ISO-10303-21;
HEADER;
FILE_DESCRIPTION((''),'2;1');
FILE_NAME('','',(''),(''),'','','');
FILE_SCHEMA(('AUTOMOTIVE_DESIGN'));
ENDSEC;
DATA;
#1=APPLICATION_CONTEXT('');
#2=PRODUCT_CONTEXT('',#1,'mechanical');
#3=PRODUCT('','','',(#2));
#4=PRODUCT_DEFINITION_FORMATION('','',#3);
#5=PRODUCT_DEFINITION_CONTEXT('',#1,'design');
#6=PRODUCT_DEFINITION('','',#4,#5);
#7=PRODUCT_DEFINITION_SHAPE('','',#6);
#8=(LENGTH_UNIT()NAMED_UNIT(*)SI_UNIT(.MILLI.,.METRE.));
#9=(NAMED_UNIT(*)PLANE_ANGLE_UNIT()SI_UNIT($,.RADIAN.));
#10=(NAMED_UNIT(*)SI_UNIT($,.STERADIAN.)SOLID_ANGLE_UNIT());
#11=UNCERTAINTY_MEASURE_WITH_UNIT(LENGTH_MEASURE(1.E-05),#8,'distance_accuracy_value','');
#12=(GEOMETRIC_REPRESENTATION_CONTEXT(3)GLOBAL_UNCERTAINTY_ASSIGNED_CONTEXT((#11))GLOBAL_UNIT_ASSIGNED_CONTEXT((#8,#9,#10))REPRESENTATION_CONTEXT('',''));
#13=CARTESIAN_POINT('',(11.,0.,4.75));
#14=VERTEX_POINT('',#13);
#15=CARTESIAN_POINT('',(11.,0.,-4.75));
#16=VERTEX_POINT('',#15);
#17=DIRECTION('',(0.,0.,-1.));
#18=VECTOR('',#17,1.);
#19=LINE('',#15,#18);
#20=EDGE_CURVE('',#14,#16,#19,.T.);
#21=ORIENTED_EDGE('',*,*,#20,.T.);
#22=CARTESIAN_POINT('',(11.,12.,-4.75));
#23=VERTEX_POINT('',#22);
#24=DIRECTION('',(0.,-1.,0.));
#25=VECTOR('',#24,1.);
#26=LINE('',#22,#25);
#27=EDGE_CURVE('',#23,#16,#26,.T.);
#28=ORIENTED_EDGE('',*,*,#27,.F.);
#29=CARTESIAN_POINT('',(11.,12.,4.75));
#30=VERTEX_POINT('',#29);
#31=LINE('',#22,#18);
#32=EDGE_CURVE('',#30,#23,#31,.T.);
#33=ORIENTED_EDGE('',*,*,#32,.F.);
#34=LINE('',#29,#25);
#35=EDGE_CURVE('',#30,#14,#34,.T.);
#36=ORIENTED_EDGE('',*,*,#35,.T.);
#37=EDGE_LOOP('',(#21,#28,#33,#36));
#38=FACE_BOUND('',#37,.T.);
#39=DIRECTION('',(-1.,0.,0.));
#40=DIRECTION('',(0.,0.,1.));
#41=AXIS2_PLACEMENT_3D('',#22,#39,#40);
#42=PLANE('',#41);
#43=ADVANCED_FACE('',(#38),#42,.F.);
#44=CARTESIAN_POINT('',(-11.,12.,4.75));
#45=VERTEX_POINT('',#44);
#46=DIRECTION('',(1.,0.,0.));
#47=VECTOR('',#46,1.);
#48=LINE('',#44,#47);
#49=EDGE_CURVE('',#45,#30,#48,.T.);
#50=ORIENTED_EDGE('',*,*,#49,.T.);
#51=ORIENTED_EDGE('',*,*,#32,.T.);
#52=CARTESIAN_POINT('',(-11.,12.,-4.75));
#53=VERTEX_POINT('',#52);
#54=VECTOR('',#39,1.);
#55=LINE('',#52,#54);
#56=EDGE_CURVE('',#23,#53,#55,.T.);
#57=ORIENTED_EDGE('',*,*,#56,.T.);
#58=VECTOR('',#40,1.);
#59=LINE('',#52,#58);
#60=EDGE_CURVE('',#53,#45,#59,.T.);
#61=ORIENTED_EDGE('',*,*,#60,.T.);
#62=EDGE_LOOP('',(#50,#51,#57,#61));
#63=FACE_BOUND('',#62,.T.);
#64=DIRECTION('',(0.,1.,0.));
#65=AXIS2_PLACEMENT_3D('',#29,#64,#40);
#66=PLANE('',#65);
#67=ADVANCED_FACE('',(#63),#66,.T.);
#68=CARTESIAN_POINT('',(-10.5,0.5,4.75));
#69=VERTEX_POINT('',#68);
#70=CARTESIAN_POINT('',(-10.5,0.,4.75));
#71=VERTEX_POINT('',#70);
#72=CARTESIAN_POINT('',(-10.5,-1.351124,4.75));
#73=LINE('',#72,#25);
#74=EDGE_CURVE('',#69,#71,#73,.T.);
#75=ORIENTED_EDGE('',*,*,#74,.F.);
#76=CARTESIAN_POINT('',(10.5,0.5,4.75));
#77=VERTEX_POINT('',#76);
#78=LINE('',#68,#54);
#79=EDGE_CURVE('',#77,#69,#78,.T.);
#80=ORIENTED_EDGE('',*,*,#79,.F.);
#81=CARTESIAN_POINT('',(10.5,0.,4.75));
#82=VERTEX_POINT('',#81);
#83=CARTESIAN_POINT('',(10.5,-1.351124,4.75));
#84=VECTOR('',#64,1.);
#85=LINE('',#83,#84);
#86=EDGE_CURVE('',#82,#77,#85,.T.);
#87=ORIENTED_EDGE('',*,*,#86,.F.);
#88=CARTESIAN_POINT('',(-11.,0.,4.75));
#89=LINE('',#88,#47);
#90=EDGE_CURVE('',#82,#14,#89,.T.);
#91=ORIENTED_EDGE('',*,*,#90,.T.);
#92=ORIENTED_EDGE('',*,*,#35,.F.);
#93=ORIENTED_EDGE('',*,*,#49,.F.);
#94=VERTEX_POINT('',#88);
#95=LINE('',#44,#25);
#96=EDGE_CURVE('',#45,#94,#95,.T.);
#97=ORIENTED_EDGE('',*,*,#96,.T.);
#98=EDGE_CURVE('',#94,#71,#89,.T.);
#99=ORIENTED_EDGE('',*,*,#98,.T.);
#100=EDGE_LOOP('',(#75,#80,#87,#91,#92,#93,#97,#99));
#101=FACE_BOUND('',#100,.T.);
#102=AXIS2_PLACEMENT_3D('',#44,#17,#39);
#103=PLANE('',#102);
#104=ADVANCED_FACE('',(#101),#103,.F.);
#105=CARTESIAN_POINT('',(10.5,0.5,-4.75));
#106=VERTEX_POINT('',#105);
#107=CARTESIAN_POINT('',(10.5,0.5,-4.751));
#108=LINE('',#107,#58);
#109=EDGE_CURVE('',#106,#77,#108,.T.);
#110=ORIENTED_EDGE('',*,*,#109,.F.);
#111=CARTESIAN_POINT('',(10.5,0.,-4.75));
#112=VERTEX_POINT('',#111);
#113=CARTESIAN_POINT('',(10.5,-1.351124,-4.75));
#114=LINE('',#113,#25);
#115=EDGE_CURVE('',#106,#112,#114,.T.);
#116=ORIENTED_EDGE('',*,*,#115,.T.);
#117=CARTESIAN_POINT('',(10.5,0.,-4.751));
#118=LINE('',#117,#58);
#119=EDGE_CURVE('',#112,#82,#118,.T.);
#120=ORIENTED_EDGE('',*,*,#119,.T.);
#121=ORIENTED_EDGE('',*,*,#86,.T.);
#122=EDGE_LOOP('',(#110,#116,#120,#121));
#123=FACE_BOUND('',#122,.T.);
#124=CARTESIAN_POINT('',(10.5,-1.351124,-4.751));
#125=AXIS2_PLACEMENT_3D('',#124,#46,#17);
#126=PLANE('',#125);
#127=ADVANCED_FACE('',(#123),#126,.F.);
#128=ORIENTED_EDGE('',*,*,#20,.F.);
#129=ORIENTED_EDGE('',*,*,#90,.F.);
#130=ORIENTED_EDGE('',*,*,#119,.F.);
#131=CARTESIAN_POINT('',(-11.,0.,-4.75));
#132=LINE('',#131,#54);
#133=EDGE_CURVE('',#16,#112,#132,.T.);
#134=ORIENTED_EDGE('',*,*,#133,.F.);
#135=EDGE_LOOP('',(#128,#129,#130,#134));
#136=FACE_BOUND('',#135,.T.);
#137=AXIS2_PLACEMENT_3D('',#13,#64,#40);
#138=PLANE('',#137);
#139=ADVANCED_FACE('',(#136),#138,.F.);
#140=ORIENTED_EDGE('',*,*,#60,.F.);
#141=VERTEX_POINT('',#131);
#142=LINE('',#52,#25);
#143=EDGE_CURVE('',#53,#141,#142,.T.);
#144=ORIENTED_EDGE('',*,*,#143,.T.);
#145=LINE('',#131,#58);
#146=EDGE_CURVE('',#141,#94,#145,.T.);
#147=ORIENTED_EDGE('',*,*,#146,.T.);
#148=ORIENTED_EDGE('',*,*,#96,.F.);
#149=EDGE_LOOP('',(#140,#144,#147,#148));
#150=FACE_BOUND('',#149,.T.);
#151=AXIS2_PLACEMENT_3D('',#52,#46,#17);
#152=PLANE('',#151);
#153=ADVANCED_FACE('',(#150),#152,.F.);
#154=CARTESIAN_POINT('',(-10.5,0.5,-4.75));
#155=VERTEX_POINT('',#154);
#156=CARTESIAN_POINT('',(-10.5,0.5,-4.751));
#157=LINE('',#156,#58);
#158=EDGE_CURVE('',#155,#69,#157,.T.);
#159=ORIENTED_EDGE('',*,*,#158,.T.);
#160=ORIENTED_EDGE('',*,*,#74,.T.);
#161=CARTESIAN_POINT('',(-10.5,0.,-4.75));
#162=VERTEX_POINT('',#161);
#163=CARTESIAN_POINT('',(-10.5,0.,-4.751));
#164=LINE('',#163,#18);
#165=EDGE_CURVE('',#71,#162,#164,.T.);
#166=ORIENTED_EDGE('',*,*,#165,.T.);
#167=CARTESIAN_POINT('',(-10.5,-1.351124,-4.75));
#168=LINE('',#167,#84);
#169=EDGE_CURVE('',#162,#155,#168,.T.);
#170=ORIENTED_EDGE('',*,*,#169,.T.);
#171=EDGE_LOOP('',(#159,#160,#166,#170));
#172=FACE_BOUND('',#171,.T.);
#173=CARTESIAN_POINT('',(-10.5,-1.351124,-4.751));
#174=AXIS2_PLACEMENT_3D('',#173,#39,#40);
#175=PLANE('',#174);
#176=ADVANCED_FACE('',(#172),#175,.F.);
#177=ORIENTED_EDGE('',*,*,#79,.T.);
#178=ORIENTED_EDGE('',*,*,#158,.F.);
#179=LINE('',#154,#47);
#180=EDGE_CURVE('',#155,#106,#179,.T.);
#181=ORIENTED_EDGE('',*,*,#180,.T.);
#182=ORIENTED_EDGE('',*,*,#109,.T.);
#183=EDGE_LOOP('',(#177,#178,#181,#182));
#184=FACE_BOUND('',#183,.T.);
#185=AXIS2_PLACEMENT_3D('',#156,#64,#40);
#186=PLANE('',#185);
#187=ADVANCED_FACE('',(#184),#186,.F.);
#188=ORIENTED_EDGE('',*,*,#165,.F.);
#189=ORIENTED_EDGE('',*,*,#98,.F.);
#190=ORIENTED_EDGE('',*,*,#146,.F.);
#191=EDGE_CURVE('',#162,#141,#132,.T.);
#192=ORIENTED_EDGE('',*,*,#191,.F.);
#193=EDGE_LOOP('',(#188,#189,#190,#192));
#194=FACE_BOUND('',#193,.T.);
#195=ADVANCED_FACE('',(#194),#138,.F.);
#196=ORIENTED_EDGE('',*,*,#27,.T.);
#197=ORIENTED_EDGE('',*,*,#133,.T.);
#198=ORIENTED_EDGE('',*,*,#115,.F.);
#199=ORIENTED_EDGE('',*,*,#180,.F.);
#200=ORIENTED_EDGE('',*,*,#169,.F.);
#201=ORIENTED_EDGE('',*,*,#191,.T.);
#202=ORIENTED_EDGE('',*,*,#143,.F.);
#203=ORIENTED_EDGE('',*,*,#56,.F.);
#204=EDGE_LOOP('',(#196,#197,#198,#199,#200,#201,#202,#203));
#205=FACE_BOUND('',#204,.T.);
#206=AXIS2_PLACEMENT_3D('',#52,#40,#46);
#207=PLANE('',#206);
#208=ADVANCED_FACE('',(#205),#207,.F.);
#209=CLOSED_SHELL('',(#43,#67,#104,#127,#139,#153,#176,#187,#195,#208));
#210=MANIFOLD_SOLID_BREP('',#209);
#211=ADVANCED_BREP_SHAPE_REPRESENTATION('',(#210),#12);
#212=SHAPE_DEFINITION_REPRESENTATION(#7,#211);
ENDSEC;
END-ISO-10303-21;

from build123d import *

# Parameters (mm, degrees)
SKETCH1_W           = 22
SKETCH1_H           = 9.5
BOSS_EXTRUDE1_DEPTH = 12
CUT_EXTRUDE1_REACH  = 20.848
SKETCH2_W           = 21
SKETCH2_H           = 1.851123708


with BuildPart() as part:
    # Sketch1 → Boss-Extrude1 (new body)
    with BuildSketch(Plane(origin=(0, 0, 0), x_dir=(1, 0, 0), z_dir=(0, 1, 0))):
        Rectangle(SKETCH1_W, SKETCH1_H)
    extrude(amount=BOSS_EXTRUDE1_DEPTH)

    # Sketch2 → Cut-Extrude1 (cut, up to next)
    with BuildSketch(Plane.XY.offset(4.75), mode=Mode.PRIVATE) as cut_extrude1_sk1:
        with Locations((0, -0.425561854)):
            Rectangle(SKETCH2_W, SKETCH2_H)
    cut_extrude1_tool1 = extrude(cut_extrude1_sk1.sketch, amount=-CUT_EXTRUDE1_REACH, mode=Mode.PRIVATE) & part.part
    add(cut_extrude1_tool1.solids().sort_by_distance((0, -0.425562, 4.75))[0], mode=Mode.SUBTRACT)


solid = part.part
